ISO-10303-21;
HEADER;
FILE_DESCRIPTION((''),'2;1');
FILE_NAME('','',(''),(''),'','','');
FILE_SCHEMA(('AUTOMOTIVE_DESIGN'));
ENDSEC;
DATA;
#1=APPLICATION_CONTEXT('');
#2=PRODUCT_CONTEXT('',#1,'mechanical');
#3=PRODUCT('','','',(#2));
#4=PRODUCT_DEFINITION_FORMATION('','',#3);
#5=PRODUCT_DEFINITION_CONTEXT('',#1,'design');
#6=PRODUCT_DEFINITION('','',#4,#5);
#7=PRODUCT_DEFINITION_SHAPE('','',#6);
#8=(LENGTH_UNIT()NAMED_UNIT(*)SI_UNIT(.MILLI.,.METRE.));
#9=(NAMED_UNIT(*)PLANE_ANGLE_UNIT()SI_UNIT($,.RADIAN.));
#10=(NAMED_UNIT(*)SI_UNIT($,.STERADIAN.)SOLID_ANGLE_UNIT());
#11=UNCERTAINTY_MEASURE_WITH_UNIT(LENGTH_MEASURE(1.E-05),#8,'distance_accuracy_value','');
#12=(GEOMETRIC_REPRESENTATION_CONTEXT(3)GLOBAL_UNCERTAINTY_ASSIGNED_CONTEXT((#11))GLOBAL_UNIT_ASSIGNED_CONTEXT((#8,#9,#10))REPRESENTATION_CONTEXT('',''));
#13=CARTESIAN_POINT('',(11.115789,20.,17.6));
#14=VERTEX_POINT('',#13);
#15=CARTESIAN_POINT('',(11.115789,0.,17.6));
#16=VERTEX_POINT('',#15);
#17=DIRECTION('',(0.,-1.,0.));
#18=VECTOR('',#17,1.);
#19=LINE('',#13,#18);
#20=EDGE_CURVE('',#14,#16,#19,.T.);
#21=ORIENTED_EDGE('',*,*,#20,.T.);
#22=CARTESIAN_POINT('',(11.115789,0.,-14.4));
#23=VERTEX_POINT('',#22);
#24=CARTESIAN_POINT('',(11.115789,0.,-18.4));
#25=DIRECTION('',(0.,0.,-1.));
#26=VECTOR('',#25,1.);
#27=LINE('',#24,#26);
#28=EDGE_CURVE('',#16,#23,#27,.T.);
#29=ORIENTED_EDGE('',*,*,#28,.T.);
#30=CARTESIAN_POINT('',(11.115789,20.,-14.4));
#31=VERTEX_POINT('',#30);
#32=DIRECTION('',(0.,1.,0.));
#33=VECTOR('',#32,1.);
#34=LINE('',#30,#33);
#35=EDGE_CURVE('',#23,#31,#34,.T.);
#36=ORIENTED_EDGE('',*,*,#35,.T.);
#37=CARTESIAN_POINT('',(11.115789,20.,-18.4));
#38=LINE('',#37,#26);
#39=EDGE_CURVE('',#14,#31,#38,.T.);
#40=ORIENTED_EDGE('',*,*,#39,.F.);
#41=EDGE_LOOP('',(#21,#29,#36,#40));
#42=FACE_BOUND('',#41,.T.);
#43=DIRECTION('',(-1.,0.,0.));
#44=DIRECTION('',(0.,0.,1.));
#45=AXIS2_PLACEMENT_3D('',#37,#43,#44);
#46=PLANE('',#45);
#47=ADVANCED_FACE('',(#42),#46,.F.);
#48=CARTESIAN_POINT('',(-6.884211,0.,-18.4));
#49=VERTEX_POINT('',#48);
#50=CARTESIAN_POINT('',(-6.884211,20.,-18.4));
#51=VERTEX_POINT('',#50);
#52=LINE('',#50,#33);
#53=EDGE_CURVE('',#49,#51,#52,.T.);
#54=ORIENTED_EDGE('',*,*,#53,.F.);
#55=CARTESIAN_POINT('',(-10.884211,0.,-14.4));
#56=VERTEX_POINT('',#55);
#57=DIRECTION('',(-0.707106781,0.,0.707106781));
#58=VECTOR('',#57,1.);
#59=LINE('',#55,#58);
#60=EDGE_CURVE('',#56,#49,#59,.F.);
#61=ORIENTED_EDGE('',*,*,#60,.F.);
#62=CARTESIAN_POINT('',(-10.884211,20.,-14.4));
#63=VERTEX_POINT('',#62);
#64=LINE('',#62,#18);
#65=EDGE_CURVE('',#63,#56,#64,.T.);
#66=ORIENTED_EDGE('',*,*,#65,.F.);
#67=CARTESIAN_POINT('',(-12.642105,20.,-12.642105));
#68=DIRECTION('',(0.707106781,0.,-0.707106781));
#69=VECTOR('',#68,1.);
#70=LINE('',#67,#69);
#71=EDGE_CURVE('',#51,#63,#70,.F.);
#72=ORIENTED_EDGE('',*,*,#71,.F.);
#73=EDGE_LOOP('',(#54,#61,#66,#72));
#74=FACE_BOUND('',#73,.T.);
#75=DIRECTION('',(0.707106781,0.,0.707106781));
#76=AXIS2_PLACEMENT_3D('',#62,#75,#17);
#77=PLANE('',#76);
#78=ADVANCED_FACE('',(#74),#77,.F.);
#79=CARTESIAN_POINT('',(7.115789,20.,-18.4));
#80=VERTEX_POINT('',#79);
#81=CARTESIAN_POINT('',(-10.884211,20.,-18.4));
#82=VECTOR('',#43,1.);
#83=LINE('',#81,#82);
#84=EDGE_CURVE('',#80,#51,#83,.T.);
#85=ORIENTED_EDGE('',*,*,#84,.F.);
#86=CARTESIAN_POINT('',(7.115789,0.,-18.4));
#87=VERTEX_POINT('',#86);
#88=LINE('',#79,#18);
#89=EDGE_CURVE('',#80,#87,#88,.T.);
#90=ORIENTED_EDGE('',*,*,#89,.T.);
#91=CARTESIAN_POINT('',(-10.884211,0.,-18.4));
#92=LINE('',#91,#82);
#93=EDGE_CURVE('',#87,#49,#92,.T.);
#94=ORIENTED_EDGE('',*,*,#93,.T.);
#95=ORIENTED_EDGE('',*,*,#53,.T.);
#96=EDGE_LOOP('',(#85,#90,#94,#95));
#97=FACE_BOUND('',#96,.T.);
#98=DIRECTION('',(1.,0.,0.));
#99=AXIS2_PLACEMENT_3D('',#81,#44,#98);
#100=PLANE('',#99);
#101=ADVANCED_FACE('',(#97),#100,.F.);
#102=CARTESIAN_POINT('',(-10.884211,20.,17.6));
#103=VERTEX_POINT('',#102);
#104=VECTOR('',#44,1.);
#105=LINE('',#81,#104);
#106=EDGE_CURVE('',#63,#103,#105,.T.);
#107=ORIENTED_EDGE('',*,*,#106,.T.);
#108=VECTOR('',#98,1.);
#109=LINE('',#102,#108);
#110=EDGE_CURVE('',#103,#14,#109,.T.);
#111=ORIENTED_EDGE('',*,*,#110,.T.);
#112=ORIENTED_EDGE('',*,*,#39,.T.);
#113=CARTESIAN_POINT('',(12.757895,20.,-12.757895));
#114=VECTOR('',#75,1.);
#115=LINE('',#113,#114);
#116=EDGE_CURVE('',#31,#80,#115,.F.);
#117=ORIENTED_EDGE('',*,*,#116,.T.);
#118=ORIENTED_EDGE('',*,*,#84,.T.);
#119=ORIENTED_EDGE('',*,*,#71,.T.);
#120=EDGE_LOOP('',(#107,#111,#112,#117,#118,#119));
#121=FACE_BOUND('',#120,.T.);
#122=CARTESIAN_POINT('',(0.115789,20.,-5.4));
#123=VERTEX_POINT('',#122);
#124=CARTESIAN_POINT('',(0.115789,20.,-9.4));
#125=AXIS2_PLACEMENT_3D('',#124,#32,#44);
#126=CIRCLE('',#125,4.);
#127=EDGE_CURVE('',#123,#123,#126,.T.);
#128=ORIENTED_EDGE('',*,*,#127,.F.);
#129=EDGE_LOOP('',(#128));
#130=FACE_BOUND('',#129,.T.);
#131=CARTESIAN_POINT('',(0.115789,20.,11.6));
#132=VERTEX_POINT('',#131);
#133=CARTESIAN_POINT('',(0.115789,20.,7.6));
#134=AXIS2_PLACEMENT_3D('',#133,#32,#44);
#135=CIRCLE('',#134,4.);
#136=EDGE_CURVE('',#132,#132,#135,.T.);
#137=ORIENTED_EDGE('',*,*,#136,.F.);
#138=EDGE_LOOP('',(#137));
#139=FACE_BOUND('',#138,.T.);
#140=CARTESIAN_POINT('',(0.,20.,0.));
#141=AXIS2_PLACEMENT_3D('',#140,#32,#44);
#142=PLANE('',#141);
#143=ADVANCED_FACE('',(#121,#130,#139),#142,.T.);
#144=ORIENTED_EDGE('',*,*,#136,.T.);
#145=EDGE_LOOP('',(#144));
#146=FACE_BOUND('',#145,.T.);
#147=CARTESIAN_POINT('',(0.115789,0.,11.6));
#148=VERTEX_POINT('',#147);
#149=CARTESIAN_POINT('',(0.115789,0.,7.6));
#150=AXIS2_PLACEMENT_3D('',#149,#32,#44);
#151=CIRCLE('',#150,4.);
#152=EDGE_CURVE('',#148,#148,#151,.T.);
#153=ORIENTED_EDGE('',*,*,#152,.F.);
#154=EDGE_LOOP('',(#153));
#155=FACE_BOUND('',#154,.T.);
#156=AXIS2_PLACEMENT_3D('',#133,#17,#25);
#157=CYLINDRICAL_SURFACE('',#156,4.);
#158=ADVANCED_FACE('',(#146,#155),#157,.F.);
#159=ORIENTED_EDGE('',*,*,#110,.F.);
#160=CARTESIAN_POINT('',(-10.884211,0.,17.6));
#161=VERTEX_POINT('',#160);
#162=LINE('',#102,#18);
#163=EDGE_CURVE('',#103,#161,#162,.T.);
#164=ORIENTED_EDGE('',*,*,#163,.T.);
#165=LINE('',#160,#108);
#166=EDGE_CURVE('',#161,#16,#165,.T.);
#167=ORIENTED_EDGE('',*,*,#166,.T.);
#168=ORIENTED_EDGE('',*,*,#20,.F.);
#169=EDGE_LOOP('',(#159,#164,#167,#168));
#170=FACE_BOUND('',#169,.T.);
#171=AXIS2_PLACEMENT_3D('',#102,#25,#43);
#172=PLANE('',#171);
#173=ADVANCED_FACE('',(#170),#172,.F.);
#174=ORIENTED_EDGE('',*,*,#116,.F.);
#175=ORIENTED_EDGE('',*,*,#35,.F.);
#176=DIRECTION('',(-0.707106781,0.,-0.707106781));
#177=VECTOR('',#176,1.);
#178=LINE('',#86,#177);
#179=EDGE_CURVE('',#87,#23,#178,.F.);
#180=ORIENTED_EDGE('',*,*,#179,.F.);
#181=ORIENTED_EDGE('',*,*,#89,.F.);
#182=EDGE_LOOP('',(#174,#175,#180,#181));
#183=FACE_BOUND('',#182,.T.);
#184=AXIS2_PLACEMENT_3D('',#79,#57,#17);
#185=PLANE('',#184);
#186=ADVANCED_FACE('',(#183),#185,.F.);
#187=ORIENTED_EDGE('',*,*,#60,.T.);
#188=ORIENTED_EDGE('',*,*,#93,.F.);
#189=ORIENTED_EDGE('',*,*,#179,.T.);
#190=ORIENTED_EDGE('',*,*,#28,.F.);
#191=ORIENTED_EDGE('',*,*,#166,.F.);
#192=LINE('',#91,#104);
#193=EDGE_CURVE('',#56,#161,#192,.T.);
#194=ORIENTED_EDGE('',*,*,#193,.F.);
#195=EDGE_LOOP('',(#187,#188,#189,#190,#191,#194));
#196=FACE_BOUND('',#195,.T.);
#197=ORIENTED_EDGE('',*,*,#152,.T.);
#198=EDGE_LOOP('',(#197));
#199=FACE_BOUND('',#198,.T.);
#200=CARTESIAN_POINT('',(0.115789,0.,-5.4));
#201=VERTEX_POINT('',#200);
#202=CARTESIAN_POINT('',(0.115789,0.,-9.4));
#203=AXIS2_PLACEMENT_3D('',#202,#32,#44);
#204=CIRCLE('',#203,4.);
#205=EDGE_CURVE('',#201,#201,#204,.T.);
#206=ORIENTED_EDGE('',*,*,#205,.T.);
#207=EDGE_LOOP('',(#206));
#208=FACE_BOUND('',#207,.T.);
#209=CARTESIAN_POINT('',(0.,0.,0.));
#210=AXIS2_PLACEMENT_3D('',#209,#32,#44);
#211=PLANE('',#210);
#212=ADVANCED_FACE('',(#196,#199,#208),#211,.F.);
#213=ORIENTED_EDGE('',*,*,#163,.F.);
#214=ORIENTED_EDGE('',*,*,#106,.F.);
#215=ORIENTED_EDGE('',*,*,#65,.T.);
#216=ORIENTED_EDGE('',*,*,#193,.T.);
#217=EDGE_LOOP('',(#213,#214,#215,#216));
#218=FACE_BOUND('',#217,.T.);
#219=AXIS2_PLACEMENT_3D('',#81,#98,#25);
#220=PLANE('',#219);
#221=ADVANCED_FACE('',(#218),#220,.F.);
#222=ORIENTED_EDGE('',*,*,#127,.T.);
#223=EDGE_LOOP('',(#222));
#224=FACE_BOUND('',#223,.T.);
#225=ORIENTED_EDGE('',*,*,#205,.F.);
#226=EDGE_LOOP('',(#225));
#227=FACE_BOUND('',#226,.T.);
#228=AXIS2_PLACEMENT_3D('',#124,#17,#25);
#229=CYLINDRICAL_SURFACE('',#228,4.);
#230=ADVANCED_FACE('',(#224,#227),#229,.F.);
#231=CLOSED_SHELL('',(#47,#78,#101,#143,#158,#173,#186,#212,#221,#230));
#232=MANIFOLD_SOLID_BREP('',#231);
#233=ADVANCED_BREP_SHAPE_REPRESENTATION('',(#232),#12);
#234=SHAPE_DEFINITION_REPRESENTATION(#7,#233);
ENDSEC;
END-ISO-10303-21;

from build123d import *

# Parameters (mm, degrees)
SKETCH_1_W      = 22
SKETCH_1_H      = 36
SKETCH_1_R      = 4
EXTRUDE_1_DEPTH = 20
CHAMFER_1_SIZE  = 4


with BuildPart() as part:
    # 草图1 → 凸台-拉伸1 (new body)
    with BuildSketch(Plane(origin=(0, 0, 0), x_dir=(1, 0, 0), z_dir=(0, 1, 0))):
        with Locations((0.115789474, 0.4)):
            Rectangle(SKETCH_1_W, SKETCH_1_H)
        with Locations(Location((0.115789474, -7.6, 0), (0, 0, 270))):
            Circle(SKETCH_1_R, mode=Mode.SUBTRACT)
        with Locations(Location((0.115789474, 9.4, 0), (0, 0, 270))):
            Circle(SKETCH_1_R, mode=Mode.SUBTRACT)
    extrude(amount=EXTRUDE_1_DEPTH)

    # 倒角1
    chamfer_1_edges = [part.edges().sort_by_distance(p)[0] for p in [
        (-10.884210526, 10, -18.4),
        (11.115789474, 10, -18.4),
    ]]
    chamfer(chamfer_1_edges, length=CHAMFER_1_SIZE)


solid = part.part
